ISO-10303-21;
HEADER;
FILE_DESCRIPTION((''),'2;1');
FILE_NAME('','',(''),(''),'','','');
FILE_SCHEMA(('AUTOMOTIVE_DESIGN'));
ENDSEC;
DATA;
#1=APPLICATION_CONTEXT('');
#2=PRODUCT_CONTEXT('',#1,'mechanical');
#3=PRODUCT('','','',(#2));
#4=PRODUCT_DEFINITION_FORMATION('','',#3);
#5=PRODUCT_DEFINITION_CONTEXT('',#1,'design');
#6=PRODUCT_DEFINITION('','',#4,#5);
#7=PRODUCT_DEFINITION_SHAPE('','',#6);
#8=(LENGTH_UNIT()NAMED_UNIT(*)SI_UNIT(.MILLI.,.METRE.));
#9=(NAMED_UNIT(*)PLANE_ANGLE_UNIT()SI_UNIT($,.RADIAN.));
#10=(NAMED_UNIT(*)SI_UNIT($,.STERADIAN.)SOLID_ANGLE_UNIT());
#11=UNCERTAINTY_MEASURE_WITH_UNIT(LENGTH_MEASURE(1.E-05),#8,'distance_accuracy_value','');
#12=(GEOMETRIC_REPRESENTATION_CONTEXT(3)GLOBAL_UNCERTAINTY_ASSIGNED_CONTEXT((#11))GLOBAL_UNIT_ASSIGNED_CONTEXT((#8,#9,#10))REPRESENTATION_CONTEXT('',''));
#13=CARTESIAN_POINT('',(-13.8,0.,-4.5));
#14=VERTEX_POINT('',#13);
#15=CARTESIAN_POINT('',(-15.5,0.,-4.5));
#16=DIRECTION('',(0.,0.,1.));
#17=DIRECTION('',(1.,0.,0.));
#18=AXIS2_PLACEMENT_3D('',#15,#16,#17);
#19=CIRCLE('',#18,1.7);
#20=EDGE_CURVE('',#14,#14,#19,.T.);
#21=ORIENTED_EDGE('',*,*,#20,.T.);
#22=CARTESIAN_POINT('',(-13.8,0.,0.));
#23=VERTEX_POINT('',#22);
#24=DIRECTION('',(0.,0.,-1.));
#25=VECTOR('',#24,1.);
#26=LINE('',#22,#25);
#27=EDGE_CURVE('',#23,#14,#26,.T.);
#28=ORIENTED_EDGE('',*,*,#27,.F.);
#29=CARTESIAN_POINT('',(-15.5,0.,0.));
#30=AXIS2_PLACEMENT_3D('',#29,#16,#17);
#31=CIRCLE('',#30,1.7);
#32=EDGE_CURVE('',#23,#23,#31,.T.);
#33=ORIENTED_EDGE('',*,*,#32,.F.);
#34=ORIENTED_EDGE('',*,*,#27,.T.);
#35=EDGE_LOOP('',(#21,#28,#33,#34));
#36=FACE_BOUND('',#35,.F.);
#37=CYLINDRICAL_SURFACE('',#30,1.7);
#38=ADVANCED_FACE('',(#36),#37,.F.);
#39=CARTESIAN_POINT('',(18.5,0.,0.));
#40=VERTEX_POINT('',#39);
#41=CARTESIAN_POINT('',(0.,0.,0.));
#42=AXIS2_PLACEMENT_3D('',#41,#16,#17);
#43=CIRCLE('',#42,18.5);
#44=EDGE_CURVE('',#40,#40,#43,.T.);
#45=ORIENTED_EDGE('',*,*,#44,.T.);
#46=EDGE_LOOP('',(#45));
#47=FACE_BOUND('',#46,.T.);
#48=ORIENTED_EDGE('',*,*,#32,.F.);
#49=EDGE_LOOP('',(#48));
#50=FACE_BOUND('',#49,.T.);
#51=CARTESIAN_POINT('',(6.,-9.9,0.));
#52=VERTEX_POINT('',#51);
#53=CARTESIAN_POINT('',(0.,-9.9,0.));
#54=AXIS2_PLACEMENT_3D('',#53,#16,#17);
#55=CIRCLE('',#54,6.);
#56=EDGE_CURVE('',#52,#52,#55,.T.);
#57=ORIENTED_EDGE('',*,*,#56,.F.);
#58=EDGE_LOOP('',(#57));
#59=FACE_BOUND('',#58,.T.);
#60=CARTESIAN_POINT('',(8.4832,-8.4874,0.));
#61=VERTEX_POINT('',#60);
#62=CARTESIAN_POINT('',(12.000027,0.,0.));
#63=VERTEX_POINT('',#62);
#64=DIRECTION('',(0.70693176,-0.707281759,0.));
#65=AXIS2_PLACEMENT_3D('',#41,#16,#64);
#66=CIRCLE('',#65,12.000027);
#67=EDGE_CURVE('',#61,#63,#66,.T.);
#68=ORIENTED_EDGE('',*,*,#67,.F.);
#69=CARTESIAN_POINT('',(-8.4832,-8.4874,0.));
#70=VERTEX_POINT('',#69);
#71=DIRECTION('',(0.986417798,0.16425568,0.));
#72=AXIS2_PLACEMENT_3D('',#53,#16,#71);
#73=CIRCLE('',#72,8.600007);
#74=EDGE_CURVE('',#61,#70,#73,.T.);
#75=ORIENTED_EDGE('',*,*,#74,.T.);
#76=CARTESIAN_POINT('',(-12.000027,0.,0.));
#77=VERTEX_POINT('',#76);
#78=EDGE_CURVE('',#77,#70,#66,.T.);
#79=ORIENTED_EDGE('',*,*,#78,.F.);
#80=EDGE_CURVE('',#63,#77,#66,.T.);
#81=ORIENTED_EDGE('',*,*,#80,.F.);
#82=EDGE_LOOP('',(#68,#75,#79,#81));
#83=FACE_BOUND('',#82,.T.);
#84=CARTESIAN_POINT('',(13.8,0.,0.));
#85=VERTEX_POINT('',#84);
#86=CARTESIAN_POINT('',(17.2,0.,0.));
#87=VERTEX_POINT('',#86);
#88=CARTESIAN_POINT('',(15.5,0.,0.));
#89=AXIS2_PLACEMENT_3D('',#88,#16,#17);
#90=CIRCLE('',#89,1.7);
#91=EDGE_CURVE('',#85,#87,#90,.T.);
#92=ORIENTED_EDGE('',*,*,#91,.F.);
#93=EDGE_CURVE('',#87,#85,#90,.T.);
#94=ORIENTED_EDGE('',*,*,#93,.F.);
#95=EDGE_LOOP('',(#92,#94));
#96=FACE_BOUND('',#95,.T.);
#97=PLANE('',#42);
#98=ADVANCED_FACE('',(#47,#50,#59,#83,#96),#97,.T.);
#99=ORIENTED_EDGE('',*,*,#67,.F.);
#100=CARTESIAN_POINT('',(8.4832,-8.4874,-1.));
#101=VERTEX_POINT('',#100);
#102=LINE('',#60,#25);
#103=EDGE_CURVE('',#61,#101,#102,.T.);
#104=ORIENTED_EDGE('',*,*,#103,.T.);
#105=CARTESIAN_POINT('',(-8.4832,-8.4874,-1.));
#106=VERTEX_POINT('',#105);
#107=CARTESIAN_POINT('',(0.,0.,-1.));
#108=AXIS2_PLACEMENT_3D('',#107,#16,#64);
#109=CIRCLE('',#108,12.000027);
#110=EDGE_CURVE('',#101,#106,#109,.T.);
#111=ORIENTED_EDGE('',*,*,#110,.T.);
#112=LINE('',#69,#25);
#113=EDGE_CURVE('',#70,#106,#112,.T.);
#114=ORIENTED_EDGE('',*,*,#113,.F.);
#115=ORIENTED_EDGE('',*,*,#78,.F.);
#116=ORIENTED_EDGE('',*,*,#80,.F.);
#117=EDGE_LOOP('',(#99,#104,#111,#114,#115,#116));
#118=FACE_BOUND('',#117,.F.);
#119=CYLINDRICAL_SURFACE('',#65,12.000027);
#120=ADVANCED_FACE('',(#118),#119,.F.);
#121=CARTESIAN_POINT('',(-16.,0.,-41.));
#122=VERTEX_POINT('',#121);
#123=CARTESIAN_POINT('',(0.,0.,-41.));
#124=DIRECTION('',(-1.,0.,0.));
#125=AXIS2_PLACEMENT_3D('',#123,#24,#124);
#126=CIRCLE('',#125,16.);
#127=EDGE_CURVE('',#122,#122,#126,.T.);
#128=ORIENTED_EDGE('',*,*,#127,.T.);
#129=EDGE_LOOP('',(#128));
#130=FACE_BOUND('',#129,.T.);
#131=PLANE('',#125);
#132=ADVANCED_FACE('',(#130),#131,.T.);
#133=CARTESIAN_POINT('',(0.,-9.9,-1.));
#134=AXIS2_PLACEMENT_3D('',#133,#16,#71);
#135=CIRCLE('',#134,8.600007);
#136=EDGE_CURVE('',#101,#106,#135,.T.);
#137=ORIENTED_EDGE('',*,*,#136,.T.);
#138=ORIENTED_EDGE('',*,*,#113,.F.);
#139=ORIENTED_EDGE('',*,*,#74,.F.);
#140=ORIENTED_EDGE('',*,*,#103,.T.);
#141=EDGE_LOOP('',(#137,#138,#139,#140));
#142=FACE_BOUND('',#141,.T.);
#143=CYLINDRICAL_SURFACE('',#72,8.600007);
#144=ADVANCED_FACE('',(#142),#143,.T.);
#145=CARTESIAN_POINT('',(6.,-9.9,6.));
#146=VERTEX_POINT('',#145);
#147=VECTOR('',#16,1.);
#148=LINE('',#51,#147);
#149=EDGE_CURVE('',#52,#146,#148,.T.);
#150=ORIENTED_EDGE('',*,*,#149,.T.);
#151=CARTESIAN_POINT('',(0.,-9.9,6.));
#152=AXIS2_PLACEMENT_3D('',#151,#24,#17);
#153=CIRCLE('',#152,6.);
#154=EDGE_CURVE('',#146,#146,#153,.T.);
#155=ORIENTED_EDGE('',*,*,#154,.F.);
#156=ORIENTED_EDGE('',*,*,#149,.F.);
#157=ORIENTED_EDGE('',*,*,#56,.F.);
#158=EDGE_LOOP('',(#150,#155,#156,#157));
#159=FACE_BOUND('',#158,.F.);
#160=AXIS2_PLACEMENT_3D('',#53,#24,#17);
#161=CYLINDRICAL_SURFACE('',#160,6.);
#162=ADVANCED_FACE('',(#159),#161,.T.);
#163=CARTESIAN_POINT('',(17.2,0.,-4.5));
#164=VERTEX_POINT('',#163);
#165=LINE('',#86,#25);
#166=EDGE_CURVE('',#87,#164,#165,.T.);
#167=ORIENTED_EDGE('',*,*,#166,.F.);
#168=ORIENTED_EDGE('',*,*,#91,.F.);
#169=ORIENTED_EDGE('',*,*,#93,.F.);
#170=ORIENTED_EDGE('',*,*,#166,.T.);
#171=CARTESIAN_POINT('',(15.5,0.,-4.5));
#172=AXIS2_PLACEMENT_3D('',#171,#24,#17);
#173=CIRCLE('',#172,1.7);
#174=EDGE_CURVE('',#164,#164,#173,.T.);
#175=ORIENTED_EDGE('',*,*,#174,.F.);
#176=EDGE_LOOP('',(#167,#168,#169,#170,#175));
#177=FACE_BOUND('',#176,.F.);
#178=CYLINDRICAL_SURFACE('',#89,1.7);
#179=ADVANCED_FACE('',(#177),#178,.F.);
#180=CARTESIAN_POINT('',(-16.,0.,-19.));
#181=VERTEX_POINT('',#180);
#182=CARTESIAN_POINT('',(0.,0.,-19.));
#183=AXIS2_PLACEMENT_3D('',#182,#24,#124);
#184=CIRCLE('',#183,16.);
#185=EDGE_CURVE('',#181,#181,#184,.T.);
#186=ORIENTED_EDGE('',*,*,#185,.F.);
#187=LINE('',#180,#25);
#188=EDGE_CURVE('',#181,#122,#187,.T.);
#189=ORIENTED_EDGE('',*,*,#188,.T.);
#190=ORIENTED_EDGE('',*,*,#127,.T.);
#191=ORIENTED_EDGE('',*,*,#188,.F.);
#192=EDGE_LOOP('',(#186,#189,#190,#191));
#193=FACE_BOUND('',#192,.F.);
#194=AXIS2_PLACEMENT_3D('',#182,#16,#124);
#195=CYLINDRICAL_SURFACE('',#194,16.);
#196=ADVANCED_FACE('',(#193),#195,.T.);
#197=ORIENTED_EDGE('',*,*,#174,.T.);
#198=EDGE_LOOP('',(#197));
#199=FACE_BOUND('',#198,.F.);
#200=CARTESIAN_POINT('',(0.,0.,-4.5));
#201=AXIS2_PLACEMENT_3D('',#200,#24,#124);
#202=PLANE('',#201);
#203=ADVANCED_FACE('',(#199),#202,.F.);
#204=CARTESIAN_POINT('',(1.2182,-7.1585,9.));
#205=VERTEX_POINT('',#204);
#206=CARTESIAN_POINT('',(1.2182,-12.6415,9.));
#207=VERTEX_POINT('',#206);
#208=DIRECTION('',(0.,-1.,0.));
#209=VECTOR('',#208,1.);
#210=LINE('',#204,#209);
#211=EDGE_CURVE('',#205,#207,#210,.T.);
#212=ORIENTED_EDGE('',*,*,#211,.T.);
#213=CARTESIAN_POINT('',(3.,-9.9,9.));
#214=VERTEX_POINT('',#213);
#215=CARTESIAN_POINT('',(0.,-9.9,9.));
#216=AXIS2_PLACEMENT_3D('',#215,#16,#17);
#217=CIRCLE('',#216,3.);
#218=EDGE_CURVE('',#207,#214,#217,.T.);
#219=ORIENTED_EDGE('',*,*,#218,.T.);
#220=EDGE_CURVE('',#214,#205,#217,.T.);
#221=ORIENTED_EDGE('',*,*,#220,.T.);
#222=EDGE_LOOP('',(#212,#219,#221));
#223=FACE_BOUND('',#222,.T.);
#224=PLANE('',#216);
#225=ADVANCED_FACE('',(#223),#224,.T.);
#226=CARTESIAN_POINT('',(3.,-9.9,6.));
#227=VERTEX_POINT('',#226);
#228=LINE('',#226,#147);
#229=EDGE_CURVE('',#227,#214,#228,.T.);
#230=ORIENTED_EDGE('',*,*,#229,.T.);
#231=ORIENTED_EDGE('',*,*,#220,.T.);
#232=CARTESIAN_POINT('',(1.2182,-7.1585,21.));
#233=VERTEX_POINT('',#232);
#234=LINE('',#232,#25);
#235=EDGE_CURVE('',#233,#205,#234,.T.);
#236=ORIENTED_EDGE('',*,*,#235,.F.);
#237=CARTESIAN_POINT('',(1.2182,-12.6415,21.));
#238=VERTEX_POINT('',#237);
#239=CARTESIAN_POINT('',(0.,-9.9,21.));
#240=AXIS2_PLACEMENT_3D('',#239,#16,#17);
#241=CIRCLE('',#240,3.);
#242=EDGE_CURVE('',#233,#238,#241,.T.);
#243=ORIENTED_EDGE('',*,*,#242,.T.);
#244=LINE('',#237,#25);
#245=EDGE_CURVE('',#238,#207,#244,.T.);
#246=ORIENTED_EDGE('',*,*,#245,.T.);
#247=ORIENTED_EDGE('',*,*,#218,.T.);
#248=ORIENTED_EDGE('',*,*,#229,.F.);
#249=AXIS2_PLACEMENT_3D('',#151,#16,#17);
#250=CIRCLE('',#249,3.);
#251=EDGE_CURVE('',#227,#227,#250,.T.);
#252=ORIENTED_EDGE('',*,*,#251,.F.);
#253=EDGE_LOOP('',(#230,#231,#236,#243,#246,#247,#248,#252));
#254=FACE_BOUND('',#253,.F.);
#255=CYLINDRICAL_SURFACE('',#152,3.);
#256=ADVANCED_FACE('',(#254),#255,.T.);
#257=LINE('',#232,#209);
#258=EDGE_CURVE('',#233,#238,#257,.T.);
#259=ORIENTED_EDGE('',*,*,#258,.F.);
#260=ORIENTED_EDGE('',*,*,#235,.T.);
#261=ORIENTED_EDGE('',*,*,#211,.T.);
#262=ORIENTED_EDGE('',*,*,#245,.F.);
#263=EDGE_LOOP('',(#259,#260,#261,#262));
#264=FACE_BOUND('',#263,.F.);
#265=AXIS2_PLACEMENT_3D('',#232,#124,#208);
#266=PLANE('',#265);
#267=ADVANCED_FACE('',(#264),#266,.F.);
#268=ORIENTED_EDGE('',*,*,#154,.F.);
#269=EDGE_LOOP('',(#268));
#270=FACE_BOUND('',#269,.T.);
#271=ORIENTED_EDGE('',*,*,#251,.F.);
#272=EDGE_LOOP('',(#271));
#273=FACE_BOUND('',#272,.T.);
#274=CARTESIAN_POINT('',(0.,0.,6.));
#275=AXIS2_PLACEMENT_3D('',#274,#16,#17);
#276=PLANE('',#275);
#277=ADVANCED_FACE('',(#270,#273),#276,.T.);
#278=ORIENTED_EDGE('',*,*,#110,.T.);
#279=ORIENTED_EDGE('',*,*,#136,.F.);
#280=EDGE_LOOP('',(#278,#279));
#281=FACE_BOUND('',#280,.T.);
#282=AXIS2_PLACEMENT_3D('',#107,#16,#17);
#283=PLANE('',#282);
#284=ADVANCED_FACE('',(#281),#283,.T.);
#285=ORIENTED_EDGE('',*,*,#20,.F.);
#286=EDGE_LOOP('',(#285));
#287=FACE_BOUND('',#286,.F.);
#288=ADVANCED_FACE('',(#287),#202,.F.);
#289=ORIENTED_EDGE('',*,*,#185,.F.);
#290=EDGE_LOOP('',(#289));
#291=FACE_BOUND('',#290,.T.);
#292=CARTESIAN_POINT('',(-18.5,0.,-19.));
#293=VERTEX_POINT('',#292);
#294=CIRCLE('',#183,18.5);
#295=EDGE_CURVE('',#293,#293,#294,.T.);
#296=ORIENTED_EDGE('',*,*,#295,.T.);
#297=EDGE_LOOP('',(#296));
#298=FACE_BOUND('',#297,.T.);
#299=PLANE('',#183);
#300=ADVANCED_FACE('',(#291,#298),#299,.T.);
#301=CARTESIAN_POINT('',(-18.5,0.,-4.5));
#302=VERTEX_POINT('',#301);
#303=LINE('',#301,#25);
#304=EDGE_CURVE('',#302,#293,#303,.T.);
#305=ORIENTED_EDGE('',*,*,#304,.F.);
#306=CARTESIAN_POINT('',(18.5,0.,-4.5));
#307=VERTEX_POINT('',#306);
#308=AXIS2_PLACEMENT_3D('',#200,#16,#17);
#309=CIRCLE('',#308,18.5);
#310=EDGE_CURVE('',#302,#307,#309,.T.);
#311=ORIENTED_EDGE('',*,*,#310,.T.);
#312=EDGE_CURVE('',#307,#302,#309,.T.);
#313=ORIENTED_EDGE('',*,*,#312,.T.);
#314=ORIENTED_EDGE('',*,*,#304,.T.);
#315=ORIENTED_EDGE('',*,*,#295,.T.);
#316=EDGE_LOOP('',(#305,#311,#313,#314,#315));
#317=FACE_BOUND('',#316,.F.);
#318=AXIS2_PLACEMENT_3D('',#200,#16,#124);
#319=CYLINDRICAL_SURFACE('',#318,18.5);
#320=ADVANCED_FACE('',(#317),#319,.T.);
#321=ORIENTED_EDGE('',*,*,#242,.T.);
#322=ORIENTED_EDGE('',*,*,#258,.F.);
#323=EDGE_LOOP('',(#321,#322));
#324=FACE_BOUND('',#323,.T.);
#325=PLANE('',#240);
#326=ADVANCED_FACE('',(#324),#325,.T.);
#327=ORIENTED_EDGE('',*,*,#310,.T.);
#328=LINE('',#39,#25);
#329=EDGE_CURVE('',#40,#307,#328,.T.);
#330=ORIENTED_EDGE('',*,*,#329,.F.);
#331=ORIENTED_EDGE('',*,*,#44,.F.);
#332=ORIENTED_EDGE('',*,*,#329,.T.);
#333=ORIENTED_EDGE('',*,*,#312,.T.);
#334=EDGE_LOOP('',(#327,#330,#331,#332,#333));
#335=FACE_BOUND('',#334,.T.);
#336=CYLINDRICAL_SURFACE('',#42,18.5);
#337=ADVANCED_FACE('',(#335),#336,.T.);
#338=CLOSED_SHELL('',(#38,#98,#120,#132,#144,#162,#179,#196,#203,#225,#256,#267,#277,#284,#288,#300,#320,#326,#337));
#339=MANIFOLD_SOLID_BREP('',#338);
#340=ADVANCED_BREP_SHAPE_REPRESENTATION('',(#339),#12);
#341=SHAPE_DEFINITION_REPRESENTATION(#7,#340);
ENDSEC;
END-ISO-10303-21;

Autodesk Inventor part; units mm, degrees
ref_plane "YZ Plane" through (0, 0, 0) normal (1, 0, 0) x (0, 1, 0)
ref_plane "XZ Plane" through (0, 0, 0) normal (0, 1, 0) x (-1, 0, 0)
ref_plane "XY Plane" through (0, 0, 0) normal (0, 0, 1) x (1, 0, 0)
sketch "Sketch1" plane through (0, 0, 0) normal (0, 0, 1) x (1, 0, 0)
  circle A0 centre (0, 0) radius 18.5
  line L0 (-15.5, 0) -> (15.5, 0)
  circle A1 centre (-15.5, 0) radius 1.7
  circle A2 centre (15.5, 0) radius 1.7
  dimension "d0" = 37
  dimension "d1" = 31
  dimension "d2" = 3.4
  dimension "d3" = 3.4
extrude "Extrusion1" add sketch "Sketch1" against normal blind 4.5
sketch "Sketch2" plane through (0, 0, 0) normal (0, 0, 1) x (1, 0, 0)
  arc A0 (8.4832, -8.4874) -> (-8.4832, -8.4874) centre (0, -9.9) ccw
  circle A1 centre (0, 0) radius 18.5 projected
  circle A2 centre (0, -9.9) radius 6
  arc A3 (8.4832, -8.4874) -> (-8.4832, -8.4874) centre (0, 0) ccw
  arc A4 (-5.9787, -10.4045) -> (5.9787, -10.4045) centre (0, 0) ccw
  dimension "d10" = 17.2
  dimension "d11" = 12
extrude "Extrusion2" add sketch "Sketch2" along normal blind 6 contours A2 A4 | A4 A2
extrude "Extrusion3" cut sketch "Sketch2" against normal blind 1 contours A0 A3
sketch "Sketch3" plane through (0, -9.9, 6) normal (0, 0, 1) x (1, 0, 0)
  circle A0 centre (0, 0) radius 6 projected
  circle A1 centre (0, 0) radius 3
  point P0 (0, 9.9)
  dimension "d16" = 6
extrude "Extrusion4" add sketch "Sketch3" along normal blind 15 contours A1
sketch "Sketch4" plane through (0, 0, -4.5) normal (0, 0, -1) x (-1, 0, 0)
  circle A0 centre (0, 0) radius 18.5 projected
extrude "Extrusion5" add sketch "Sketch4" along normal blind 14.5
sketch "Sketch5" plane through (0, -9.9, 21) normal (0, 0, 1) x (1, 0, 0)
  circle A0 centre (0, 0) radius 3 projected
  line L0 (1.2182, 2.7415) -> (1.2182, -2.7415)
  point P0 (0, 9.9)
extrude "Extrusion6" cut sketch "Sketch5" against normal blind 12 contours A0 L0 picked at (1.8121, 0)
sketch "Sketch6" plane through (0, 0, -19) normal (0, 0, -1) x (-1, 0, 0)
  circle A0 centre (0, 0) radius 16
  dimension "d23" = 32
extrude "Extrusion7" add sketch "Sketch6" along normal blind 22
sketch "Sketch7" plane through (0, 0, 0) normal (0, 0, 1) x (1, 0, 0)
  circle A0 centre (-15.5, 0) radius 1.7 projected
  circle A1 centre (15.5, 0) radius 1.7 projected
  circle A2 centre (0, 0) radius 18.5 projected
properties part number "MOTOR DC"
